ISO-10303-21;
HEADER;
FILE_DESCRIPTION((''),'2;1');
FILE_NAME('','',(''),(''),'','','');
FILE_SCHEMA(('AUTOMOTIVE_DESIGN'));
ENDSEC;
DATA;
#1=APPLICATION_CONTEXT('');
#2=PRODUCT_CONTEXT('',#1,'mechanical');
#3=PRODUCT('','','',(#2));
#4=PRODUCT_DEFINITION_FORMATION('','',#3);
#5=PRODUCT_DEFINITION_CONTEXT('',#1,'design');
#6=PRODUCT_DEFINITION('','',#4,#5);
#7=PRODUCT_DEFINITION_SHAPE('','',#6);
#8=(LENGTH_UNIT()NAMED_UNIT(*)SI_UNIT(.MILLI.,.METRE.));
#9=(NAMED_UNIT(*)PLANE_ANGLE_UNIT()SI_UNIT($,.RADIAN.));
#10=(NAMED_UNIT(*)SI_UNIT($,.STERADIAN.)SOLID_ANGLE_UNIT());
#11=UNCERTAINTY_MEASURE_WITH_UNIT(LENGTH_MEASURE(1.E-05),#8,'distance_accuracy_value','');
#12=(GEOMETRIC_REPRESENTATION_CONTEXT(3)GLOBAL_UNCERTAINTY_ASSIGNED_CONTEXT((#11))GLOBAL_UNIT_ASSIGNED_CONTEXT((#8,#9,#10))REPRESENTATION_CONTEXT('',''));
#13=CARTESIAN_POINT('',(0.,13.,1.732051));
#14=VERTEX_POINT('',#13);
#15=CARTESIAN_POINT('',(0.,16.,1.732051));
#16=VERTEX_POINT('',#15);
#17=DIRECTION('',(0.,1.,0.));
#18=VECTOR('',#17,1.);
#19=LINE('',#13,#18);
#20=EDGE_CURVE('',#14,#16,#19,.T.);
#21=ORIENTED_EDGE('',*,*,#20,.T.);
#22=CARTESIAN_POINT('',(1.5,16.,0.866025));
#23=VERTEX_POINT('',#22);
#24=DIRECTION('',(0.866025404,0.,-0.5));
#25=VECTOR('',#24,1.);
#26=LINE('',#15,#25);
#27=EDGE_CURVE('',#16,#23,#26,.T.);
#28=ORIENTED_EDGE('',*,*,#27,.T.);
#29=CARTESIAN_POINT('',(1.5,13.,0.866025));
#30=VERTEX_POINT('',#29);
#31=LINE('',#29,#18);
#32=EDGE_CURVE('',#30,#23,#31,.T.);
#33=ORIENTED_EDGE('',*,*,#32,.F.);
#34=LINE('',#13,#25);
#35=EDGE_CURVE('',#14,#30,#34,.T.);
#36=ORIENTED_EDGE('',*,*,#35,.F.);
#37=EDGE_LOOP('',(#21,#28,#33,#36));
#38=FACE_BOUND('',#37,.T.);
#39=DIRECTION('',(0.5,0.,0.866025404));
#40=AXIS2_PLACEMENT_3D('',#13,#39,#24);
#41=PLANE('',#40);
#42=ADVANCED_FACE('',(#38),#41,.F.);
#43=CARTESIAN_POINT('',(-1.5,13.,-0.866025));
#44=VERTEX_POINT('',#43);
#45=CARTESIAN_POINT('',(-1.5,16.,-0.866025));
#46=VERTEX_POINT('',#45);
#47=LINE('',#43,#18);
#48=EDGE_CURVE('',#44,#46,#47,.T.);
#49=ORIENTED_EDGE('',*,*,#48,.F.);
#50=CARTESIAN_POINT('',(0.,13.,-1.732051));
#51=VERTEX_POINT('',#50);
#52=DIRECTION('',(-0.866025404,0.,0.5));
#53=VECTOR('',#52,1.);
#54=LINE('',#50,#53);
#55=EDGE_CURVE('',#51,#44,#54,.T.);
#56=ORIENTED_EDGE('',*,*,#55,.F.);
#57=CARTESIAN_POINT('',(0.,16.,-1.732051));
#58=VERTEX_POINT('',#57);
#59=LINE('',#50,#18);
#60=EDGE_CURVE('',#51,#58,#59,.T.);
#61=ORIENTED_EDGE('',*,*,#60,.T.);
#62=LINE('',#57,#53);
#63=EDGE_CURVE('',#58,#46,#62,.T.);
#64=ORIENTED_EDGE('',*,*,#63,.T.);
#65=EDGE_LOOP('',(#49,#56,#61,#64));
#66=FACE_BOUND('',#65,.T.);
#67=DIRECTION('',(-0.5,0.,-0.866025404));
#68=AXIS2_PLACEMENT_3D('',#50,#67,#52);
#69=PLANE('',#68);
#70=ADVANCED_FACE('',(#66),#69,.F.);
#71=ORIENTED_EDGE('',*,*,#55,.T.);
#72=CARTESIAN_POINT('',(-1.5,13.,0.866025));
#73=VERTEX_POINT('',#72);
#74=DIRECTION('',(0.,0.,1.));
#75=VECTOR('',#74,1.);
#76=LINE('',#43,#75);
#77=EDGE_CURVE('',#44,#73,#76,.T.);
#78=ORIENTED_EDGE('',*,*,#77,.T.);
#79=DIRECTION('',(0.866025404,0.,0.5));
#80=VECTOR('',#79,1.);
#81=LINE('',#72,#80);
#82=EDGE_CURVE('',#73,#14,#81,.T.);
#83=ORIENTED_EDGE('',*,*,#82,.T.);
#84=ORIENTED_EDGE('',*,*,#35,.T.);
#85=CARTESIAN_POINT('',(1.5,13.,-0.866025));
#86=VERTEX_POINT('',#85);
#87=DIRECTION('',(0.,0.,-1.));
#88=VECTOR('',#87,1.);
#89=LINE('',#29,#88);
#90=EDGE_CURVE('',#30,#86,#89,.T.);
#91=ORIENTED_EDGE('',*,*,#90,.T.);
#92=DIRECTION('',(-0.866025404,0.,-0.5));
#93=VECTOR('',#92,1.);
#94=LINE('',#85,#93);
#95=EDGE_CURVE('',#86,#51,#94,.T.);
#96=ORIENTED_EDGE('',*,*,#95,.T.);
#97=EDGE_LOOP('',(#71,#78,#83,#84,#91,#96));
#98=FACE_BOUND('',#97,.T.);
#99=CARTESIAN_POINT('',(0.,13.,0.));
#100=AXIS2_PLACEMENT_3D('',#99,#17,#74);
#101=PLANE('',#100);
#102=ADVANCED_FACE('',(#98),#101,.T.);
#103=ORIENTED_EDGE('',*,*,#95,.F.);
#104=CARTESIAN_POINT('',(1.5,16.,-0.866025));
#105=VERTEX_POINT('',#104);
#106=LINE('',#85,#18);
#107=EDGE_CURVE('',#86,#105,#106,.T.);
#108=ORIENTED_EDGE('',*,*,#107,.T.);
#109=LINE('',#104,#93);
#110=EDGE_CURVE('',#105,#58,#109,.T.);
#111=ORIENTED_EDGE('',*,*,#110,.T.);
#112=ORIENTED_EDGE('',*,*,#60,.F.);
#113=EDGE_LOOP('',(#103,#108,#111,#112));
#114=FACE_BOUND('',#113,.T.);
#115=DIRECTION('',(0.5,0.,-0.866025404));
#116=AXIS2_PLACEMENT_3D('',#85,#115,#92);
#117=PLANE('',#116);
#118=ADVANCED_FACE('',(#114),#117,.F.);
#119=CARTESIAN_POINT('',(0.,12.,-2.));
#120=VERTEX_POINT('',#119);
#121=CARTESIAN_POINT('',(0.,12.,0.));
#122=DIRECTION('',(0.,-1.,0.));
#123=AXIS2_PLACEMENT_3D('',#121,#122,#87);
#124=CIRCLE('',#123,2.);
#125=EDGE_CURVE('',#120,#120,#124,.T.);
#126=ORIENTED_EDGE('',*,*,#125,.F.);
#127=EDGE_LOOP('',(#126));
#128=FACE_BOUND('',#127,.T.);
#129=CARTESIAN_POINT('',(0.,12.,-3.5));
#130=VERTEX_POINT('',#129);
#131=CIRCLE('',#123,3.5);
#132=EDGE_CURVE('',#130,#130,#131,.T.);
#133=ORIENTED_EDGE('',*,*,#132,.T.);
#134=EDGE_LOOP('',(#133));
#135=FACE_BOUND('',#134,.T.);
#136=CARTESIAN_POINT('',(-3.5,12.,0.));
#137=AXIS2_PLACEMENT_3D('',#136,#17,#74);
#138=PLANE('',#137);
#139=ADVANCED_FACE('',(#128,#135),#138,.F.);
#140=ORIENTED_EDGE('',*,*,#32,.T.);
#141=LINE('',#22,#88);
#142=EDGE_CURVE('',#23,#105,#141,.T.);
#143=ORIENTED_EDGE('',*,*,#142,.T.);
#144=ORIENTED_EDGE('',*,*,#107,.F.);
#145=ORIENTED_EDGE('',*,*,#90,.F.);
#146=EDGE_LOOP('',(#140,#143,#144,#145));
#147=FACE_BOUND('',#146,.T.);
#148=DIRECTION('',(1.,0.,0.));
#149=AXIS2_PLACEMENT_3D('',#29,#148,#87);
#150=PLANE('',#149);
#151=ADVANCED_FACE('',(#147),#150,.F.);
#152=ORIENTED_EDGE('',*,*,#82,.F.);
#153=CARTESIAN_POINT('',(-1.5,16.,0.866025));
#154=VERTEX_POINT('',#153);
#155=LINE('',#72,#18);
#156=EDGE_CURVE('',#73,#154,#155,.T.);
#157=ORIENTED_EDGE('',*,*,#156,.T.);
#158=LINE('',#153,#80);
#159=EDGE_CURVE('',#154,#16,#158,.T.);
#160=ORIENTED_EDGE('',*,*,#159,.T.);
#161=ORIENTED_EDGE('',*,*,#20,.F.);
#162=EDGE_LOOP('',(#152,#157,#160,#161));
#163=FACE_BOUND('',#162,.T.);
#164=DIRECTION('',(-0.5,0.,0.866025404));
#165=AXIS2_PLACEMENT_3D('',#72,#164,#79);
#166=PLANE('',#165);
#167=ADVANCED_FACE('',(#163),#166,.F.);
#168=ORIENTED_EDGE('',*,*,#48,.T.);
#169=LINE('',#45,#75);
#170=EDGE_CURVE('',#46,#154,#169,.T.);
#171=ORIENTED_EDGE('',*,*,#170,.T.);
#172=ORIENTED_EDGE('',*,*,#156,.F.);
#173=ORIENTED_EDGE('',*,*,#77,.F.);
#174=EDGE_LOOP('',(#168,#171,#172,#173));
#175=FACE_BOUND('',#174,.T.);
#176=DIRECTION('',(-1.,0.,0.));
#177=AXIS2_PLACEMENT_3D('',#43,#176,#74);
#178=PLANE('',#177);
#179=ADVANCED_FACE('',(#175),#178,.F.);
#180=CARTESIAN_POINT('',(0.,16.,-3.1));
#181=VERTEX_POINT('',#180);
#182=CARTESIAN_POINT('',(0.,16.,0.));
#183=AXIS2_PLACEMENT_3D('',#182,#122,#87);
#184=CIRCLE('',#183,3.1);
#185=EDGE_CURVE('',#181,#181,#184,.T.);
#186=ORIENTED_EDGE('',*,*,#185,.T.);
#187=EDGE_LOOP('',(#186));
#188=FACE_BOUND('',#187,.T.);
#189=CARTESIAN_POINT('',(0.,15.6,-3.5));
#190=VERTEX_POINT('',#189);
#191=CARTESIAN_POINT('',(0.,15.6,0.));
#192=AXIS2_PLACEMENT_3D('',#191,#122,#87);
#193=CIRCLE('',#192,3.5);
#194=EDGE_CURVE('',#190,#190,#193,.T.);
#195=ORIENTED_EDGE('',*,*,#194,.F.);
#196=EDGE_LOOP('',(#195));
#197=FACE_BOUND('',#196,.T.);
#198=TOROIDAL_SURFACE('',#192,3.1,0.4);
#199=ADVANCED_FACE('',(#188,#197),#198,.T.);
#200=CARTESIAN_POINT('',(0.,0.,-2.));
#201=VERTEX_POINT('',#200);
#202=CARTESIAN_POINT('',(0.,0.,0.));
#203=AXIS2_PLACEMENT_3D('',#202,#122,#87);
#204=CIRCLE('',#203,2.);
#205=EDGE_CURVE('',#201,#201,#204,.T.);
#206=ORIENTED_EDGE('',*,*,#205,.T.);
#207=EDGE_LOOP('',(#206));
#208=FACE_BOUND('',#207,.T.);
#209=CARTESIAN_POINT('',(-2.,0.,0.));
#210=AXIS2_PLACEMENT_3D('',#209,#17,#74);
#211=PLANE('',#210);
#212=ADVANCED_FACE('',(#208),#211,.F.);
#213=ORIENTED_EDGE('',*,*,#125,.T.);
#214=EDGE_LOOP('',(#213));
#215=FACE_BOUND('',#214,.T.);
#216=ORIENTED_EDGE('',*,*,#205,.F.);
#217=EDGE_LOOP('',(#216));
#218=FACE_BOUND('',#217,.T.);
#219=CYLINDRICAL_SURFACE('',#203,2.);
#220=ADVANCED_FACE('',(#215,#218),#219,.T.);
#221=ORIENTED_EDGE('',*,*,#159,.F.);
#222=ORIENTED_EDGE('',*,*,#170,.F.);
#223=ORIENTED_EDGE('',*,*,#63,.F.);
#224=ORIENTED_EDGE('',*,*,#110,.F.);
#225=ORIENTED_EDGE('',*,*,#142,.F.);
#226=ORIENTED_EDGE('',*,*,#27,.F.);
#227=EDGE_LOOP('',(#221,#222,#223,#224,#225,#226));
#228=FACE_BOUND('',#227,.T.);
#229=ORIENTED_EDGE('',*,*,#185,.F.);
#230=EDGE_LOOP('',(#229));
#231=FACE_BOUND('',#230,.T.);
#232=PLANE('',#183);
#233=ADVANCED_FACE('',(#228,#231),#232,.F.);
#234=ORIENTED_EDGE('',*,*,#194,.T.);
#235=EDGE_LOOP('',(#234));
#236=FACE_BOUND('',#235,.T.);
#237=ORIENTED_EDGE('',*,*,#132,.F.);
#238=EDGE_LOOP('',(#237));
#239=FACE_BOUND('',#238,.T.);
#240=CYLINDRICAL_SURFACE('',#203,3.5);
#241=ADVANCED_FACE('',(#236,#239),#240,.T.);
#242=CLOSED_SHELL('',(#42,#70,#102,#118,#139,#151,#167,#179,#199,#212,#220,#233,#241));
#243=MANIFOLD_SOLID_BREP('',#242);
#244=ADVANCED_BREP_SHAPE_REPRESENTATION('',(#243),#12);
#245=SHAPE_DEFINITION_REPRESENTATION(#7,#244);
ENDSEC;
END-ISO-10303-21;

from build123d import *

# Parameters (mm, degrees)
CUT_EXTRUDE1_DEPTH = 3


with BuildPart() as part:
    # Sketch1 → Revolve1 (revolve)
    with BuildSketch(Plane.XY, mode=Mode.PRIVATE) as revolve1_sk:
        with BuildLine():
            Line((0, 16), (-3.1, 16))
            ThreePointArc((-3.1, 16), (-3.382842712, 15.882842712), (-3.5, 15.6))
            Line((-3.5, 15.6), (-3.5, 12))
            Line((-3.5, 12), (-2, 12))
            Line((-2, 12), (-2, 0))
            Line((-2, 0), (0, 0))
            Line((0, 0), (0, 16))
        make_face()
    revolve(revolve1_sk.sketch.rotate(Axis((0, 0, 0), (0, 1, 0)), 270), axis=Axis((0, 0, 0), (0, 1, 0)))

    # Sketch2 → Cut-Extrude1 (cut)
    with BuildSketch(Plane(origin=(0, 16, 0), x_dir=(1, 0, 0), z_dir=(0, 1, 0))):
        Polygon((0, 1.732050808), (-1.5, 0.866025404), (-1.5, -0.866025404), (0, -1.732050808), (1.5, -0.866025404), (1.5, 0.866025404), align=None)
    extrude(amount=-CUT_EXTRUDE1_DEPTH, mode=Mode.SUBTRACT)


solid = part.part
